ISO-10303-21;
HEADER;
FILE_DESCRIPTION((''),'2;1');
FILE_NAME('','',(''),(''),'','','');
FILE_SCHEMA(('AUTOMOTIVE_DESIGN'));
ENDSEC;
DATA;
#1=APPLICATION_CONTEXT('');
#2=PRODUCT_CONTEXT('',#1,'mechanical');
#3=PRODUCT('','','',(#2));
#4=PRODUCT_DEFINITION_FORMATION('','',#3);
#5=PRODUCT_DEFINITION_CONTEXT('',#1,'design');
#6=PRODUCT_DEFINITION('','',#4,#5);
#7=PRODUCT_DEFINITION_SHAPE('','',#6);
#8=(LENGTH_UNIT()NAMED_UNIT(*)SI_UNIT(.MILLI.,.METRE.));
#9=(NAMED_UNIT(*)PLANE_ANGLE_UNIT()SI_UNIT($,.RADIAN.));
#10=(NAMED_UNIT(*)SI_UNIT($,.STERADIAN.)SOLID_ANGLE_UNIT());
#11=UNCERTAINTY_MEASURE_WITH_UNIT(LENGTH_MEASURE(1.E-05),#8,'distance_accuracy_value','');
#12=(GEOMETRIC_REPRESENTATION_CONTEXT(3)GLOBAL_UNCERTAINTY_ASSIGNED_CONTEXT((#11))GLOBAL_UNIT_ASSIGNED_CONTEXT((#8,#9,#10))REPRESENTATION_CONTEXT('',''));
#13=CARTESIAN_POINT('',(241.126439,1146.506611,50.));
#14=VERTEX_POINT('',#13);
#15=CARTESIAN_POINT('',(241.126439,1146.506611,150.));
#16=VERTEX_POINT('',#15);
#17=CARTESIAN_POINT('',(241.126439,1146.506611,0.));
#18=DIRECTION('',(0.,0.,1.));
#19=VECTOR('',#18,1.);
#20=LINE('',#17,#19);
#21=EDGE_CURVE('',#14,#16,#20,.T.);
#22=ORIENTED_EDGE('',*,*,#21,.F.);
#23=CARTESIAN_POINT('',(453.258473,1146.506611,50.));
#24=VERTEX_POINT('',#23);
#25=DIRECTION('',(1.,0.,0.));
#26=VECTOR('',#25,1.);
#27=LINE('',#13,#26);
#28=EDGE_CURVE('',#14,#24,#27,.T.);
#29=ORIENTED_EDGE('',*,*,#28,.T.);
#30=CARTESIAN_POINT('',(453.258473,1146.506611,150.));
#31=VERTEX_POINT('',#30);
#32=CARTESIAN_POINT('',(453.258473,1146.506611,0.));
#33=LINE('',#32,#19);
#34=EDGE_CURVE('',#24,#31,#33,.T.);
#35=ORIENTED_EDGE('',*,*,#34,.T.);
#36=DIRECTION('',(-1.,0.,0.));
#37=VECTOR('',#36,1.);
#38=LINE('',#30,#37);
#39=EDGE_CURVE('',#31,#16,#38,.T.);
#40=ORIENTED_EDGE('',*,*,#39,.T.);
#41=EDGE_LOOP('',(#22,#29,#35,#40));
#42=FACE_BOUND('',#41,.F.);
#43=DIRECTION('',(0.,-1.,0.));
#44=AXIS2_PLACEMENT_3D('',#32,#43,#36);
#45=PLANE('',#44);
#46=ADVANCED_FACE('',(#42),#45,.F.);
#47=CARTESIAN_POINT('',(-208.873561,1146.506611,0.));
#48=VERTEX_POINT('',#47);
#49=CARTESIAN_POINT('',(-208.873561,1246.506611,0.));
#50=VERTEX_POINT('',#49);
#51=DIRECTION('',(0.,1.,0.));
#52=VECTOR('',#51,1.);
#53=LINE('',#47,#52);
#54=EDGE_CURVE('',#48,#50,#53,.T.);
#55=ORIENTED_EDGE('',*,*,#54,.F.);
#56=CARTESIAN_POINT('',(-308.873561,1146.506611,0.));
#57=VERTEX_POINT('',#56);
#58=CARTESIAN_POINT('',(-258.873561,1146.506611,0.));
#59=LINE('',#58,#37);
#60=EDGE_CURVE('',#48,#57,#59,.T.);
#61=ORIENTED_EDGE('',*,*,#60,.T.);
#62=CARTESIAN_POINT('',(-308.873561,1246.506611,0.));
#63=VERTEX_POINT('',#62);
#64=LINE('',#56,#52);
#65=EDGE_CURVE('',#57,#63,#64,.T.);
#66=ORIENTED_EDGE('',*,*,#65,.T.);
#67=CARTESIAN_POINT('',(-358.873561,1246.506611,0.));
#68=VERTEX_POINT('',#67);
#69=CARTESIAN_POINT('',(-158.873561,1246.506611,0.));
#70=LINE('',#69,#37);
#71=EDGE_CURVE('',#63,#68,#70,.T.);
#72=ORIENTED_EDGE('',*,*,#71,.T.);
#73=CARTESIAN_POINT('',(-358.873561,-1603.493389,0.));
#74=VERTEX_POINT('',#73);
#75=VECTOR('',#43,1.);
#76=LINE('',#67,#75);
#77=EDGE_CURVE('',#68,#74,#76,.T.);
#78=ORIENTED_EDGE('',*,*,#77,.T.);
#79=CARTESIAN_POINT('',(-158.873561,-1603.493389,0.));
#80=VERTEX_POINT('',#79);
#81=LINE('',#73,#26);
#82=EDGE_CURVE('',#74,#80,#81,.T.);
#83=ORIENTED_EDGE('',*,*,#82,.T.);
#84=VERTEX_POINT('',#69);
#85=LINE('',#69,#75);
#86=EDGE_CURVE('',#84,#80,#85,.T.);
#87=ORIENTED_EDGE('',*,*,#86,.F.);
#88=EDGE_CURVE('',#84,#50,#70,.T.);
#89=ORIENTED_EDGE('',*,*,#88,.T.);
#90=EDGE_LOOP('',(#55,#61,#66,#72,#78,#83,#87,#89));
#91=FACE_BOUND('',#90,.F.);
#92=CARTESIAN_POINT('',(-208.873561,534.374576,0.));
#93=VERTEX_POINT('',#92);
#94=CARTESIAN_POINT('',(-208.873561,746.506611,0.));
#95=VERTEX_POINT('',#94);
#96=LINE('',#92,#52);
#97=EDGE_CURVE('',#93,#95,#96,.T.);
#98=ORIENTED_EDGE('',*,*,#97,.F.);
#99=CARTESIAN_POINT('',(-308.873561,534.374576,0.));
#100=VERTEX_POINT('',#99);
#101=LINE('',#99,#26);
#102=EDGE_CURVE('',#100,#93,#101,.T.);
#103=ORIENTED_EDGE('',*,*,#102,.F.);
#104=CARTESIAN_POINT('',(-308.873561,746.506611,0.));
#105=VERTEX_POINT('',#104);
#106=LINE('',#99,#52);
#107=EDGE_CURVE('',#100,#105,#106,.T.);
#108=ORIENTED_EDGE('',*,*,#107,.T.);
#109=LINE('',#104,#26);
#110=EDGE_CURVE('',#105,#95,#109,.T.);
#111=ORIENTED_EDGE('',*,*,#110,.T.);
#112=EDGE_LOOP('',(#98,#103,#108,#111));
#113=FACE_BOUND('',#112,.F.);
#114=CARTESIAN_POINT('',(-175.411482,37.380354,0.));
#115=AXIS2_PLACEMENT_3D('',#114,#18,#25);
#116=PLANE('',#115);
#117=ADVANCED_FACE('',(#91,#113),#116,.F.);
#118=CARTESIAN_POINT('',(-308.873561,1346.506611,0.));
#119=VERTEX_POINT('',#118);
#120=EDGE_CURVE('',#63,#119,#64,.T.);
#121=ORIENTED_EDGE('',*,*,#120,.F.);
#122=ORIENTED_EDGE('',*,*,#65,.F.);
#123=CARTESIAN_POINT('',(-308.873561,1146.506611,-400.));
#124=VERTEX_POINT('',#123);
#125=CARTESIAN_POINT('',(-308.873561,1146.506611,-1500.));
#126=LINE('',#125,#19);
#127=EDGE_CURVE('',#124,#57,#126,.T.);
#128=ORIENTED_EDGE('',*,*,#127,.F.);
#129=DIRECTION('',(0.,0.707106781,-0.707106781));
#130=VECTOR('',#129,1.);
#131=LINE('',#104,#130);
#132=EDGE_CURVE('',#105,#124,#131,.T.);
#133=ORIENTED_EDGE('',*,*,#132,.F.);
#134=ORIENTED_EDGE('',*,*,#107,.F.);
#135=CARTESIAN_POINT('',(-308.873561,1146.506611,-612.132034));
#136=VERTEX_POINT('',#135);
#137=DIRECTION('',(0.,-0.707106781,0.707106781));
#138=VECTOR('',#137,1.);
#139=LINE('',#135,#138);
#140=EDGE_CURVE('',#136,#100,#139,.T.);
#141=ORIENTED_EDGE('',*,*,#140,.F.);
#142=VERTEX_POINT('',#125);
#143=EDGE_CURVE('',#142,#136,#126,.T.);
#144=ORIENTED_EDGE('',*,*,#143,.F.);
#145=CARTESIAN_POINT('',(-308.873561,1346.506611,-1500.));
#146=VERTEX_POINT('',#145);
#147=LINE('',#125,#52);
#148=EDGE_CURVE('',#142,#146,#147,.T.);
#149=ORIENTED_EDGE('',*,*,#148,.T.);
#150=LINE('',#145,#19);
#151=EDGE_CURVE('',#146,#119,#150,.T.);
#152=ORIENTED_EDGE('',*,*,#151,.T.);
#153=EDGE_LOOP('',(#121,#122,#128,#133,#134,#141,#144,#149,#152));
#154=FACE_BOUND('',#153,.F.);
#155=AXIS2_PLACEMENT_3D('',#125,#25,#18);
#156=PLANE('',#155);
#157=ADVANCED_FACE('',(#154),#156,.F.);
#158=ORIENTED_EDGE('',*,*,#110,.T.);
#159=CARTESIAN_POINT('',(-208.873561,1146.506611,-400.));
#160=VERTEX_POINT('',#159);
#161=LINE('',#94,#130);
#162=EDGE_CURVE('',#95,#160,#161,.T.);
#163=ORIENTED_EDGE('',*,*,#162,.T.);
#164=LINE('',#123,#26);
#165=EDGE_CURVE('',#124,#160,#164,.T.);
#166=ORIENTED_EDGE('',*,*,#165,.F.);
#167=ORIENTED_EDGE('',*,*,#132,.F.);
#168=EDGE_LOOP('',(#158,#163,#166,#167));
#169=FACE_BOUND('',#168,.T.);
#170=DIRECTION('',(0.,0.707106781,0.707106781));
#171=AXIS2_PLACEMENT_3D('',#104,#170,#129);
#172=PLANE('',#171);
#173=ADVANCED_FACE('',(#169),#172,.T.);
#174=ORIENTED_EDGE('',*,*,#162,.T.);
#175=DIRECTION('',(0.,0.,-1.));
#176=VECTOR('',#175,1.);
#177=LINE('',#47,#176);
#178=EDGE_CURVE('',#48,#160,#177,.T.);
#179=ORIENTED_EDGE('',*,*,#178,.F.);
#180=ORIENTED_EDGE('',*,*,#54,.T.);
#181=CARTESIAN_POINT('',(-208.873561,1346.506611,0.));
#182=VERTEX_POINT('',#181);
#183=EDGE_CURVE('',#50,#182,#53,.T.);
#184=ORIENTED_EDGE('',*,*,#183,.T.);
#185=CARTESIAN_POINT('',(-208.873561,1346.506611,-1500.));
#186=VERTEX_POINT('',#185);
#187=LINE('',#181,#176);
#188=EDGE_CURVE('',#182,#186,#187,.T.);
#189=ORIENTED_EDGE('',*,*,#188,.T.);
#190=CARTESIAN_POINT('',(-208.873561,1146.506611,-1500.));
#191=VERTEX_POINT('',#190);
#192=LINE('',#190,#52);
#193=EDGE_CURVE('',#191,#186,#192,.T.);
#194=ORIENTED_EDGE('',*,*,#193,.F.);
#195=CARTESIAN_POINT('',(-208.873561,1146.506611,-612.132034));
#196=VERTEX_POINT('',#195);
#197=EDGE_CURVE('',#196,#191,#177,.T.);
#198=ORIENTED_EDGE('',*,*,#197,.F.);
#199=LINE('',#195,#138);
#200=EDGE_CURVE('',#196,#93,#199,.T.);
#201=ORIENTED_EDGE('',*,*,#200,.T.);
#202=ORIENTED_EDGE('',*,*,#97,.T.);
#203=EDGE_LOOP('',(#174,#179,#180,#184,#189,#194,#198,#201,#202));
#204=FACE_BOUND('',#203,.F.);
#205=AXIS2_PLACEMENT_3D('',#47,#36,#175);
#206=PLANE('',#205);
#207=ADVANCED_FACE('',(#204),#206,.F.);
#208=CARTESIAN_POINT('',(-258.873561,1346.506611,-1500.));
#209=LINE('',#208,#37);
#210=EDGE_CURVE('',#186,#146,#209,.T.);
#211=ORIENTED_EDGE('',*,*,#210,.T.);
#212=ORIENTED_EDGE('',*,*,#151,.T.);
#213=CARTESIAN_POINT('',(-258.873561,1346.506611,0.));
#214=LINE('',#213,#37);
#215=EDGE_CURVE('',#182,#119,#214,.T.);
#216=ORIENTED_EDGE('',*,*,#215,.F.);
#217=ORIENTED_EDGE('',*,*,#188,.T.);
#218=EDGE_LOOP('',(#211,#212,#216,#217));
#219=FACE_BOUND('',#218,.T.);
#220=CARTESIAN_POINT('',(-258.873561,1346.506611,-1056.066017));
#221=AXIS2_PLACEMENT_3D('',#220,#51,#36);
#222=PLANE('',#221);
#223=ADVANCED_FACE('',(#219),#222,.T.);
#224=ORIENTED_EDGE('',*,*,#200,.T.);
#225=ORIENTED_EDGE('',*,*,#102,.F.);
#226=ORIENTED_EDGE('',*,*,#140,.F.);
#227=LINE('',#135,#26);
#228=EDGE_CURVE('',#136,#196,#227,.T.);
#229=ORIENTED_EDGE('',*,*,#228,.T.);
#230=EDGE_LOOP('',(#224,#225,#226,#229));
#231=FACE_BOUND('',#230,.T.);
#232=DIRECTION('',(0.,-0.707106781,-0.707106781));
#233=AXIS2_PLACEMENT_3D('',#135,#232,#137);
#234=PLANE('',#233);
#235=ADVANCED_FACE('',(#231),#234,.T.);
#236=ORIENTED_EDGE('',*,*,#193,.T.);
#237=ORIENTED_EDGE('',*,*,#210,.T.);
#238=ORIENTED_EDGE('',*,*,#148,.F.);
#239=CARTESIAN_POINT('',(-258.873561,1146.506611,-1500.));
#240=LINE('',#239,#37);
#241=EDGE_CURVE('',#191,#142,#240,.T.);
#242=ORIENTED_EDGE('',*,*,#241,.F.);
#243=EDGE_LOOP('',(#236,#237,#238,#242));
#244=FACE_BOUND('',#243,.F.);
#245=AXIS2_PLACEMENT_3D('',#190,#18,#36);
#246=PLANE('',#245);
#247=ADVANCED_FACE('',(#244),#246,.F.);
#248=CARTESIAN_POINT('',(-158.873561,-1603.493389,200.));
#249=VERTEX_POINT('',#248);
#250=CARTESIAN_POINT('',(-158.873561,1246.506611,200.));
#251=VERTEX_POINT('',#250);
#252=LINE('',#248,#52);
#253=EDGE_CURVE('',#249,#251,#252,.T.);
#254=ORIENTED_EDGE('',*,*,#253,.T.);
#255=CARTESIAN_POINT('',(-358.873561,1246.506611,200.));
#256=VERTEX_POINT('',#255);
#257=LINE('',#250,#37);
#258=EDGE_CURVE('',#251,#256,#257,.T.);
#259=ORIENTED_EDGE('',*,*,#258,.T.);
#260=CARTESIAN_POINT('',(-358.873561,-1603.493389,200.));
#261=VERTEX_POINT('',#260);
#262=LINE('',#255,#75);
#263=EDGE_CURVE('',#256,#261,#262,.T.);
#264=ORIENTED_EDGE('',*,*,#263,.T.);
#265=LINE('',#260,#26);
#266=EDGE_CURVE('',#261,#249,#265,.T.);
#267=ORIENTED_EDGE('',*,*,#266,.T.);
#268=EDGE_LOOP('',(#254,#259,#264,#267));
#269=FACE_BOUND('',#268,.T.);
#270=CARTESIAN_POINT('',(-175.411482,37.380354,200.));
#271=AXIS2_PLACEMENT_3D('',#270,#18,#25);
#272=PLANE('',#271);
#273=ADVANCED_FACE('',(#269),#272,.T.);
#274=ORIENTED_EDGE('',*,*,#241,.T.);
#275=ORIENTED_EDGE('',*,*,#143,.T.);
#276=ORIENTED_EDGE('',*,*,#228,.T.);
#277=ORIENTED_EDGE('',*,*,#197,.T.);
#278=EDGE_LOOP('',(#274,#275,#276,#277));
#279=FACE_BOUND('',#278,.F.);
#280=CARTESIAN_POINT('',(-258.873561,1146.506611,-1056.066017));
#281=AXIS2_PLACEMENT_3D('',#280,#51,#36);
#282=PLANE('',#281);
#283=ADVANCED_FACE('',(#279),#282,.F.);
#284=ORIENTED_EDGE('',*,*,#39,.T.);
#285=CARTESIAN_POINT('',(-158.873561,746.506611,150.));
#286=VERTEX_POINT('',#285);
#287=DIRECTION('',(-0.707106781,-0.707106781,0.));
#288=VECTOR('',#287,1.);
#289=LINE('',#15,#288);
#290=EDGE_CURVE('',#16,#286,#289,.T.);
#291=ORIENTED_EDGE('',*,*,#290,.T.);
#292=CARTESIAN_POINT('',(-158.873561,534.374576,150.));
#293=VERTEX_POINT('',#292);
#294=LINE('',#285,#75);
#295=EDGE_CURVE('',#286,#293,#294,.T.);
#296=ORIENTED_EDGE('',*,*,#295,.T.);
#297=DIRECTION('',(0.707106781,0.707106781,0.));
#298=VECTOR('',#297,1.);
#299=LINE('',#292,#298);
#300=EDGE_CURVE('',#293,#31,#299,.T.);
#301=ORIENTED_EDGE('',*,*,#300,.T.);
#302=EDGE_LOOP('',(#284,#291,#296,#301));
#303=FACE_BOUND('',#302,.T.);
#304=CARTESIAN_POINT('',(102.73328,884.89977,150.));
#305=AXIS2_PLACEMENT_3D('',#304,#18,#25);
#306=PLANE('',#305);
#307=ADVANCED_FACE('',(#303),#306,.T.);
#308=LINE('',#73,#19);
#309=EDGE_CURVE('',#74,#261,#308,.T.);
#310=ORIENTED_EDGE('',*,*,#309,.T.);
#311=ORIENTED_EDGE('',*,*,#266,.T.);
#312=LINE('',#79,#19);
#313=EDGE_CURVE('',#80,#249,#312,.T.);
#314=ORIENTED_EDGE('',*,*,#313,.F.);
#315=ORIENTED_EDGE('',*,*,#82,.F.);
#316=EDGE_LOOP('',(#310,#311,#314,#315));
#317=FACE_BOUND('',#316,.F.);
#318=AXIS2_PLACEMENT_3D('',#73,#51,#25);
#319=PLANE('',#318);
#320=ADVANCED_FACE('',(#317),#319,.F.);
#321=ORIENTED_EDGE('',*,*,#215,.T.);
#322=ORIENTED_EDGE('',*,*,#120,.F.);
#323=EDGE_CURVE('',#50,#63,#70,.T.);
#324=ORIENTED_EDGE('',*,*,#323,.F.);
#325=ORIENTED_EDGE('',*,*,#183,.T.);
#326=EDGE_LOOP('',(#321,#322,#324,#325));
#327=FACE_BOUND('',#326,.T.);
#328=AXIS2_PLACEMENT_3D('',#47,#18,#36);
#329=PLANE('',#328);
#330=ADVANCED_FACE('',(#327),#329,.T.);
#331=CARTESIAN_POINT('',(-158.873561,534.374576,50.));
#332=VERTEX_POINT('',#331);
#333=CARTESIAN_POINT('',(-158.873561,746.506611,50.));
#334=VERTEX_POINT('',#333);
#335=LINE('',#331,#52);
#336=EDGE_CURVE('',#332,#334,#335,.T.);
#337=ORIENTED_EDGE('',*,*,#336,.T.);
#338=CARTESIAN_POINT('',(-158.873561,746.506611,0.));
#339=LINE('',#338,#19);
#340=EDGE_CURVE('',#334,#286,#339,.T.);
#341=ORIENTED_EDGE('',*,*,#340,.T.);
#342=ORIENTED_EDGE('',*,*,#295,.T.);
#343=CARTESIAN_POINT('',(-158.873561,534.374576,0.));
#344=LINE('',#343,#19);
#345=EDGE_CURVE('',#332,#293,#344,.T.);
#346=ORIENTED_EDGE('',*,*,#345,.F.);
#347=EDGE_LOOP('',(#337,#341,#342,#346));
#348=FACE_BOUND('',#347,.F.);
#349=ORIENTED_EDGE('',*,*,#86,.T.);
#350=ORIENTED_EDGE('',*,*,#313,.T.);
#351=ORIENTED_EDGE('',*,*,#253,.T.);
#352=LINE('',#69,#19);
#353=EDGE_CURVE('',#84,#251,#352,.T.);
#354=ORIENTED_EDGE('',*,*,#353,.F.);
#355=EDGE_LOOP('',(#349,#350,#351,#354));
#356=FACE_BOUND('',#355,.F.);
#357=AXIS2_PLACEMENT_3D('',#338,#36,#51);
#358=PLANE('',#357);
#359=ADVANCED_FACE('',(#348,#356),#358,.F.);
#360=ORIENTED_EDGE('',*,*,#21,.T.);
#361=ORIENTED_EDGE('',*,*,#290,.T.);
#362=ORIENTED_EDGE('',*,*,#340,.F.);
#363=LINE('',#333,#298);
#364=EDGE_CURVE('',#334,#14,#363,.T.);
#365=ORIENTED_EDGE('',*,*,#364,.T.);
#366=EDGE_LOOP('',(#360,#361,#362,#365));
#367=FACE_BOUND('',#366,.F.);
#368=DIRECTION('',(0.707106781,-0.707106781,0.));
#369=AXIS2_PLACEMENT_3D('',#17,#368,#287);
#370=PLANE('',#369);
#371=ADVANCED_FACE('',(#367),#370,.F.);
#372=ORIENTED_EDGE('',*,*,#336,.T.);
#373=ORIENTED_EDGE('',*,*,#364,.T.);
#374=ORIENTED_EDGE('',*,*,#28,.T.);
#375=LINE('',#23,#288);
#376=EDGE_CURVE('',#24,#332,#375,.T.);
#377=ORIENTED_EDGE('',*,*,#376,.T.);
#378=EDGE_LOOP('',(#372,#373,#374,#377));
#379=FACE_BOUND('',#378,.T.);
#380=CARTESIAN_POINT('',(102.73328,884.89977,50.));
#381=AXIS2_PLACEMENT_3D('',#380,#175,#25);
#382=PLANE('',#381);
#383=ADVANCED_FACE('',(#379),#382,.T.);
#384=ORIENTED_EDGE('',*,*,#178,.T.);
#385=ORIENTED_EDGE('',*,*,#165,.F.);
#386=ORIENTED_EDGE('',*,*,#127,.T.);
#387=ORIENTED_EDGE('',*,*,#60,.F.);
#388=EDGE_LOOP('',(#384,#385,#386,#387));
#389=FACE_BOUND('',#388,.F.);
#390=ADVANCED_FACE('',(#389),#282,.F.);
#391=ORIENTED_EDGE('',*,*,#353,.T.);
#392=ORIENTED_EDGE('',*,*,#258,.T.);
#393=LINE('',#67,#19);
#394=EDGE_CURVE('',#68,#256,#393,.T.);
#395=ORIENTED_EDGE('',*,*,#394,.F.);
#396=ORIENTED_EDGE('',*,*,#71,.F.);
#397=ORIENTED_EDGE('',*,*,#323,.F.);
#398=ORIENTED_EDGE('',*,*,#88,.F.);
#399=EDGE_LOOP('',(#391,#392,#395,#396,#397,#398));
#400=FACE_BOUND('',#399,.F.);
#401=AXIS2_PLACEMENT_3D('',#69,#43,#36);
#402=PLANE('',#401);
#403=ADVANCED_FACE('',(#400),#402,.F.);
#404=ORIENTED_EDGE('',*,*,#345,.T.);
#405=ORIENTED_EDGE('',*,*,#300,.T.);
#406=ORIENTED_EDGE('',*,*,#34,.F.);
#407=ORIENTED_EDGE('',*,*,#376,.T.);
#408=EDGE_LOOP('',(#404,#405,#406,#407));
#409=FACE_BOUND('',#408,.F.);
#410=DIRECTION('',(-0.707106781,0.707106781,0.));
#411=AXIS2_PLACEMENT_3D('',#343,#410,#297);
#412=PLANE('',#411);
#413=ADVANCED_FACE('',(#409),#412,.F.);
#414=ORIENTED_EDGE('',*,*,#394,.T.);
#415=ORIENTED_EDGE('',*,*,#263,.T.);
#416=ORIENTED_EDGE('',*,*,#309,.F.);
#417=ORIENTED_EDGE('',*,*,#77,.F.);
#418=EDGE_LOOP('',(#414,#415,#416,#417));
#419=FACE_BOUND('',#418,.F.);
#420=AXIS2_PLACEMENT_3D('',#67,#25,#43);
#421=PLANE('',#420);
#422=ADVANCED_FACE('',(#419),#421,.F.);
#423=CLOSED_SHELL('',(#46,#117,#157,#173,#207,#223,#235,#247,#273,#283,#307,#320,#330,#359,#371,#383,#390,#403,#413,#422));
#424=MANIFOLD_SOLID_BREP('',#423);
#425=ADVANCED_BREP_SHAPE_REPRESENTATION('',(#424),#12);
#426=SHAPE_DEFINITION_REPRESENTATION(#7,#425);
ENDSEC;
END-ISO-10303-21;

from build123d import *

# Parameters (mm, degrees)
F1_DEPTH  = 200
F3_DEPTH  = 50
F5_DEPTH  = 50
F8_DEPTH  = 100
F9_W      = 100
F9_H      = 887.867965644
F9_H_2    = 212.132034356
F9_H_3    = 400
F10_DEPTH = 200


with BuildPart() as f1:
    # F0 (on Top) → F1 (new body)
    with BuildSketch(Plane.XY):
        Polygon((-358.8735613318, 1246.5066106532), (-358.8735613318, -1603.4933893468), (-158.8735613318, -1603.4933893468), (-158.8735613318, 534.3745762972), (453.2584730242, 1146.5066106532), (241.1264386682, 1146.5066106532), (-158.8735613318, 746.5066106532), (-158.8735613318, 1246.5066106532), align=None)
    extrude(amount=F1_DEPTH)

    # F2 (on face) → F3 (cut)
    with BuildSketch(Plane(origin=(0, 0, 0), x_dir=(1, 0, 0), z_dir=(0, 0, -1))):
        Polygon((453.2584730242, -1146.5066106532), (-158.8735613318, -534.3745762972), (-158.8735613318, -746.5066106532), (241.1264386682, -1146.5066106532), align=None)
    extrude(amount=-F3_DEPTH, mode=Mode.SUBTRACT)

    # F4 (on face) → F5 (cut)
    with BuildSketch(Plane.XY.offset(200)):
        Polygon((241.1264386682, 1146.5066106532), (-158.8735613318, 746.5066106532), (-158.8735613318, 534.3745762972), (453.2584730242, 1146.5066106532), align=None)
    extrude(amount=-F5_DEPTH, mode=Mode.SUBTRACT)

    # F7 (on offset) → F8 (join)
    with BuildSketch(Plane(origin=(-308.8735613318, 0, 0), x_dir=(0, -1, 0), z_dir=(-1, 0, 0))):
        Polygon((-534.3745762972, 0), (-746.5066106532, 0), (-1146.5066106532, -400), (-1146.5066106532, -612.132034356), align=None)
    extrude(amount=-F8_DEPTH)

    # F9 (on face) → F10 (join)
    with BuildSketch(Plane(origin=(0, 1146.5066106532, 0), x_dir=(-1, 0, 0), z_dir=(0, 1, 0))):
        with Locations((258.8735613318, -1056.066017178)):
            Rectangle(F9_W, F9_H)
        with Locations((258.8735613318, -506.066017178)):
            Rectangle(F9_W, F9_H_2)
        with Locations((258.8735613318, -200)):
            Rectangle(F9_W, F9_H_3)
    extrude(amount=F10_DEPTH)


solid = f1.part
